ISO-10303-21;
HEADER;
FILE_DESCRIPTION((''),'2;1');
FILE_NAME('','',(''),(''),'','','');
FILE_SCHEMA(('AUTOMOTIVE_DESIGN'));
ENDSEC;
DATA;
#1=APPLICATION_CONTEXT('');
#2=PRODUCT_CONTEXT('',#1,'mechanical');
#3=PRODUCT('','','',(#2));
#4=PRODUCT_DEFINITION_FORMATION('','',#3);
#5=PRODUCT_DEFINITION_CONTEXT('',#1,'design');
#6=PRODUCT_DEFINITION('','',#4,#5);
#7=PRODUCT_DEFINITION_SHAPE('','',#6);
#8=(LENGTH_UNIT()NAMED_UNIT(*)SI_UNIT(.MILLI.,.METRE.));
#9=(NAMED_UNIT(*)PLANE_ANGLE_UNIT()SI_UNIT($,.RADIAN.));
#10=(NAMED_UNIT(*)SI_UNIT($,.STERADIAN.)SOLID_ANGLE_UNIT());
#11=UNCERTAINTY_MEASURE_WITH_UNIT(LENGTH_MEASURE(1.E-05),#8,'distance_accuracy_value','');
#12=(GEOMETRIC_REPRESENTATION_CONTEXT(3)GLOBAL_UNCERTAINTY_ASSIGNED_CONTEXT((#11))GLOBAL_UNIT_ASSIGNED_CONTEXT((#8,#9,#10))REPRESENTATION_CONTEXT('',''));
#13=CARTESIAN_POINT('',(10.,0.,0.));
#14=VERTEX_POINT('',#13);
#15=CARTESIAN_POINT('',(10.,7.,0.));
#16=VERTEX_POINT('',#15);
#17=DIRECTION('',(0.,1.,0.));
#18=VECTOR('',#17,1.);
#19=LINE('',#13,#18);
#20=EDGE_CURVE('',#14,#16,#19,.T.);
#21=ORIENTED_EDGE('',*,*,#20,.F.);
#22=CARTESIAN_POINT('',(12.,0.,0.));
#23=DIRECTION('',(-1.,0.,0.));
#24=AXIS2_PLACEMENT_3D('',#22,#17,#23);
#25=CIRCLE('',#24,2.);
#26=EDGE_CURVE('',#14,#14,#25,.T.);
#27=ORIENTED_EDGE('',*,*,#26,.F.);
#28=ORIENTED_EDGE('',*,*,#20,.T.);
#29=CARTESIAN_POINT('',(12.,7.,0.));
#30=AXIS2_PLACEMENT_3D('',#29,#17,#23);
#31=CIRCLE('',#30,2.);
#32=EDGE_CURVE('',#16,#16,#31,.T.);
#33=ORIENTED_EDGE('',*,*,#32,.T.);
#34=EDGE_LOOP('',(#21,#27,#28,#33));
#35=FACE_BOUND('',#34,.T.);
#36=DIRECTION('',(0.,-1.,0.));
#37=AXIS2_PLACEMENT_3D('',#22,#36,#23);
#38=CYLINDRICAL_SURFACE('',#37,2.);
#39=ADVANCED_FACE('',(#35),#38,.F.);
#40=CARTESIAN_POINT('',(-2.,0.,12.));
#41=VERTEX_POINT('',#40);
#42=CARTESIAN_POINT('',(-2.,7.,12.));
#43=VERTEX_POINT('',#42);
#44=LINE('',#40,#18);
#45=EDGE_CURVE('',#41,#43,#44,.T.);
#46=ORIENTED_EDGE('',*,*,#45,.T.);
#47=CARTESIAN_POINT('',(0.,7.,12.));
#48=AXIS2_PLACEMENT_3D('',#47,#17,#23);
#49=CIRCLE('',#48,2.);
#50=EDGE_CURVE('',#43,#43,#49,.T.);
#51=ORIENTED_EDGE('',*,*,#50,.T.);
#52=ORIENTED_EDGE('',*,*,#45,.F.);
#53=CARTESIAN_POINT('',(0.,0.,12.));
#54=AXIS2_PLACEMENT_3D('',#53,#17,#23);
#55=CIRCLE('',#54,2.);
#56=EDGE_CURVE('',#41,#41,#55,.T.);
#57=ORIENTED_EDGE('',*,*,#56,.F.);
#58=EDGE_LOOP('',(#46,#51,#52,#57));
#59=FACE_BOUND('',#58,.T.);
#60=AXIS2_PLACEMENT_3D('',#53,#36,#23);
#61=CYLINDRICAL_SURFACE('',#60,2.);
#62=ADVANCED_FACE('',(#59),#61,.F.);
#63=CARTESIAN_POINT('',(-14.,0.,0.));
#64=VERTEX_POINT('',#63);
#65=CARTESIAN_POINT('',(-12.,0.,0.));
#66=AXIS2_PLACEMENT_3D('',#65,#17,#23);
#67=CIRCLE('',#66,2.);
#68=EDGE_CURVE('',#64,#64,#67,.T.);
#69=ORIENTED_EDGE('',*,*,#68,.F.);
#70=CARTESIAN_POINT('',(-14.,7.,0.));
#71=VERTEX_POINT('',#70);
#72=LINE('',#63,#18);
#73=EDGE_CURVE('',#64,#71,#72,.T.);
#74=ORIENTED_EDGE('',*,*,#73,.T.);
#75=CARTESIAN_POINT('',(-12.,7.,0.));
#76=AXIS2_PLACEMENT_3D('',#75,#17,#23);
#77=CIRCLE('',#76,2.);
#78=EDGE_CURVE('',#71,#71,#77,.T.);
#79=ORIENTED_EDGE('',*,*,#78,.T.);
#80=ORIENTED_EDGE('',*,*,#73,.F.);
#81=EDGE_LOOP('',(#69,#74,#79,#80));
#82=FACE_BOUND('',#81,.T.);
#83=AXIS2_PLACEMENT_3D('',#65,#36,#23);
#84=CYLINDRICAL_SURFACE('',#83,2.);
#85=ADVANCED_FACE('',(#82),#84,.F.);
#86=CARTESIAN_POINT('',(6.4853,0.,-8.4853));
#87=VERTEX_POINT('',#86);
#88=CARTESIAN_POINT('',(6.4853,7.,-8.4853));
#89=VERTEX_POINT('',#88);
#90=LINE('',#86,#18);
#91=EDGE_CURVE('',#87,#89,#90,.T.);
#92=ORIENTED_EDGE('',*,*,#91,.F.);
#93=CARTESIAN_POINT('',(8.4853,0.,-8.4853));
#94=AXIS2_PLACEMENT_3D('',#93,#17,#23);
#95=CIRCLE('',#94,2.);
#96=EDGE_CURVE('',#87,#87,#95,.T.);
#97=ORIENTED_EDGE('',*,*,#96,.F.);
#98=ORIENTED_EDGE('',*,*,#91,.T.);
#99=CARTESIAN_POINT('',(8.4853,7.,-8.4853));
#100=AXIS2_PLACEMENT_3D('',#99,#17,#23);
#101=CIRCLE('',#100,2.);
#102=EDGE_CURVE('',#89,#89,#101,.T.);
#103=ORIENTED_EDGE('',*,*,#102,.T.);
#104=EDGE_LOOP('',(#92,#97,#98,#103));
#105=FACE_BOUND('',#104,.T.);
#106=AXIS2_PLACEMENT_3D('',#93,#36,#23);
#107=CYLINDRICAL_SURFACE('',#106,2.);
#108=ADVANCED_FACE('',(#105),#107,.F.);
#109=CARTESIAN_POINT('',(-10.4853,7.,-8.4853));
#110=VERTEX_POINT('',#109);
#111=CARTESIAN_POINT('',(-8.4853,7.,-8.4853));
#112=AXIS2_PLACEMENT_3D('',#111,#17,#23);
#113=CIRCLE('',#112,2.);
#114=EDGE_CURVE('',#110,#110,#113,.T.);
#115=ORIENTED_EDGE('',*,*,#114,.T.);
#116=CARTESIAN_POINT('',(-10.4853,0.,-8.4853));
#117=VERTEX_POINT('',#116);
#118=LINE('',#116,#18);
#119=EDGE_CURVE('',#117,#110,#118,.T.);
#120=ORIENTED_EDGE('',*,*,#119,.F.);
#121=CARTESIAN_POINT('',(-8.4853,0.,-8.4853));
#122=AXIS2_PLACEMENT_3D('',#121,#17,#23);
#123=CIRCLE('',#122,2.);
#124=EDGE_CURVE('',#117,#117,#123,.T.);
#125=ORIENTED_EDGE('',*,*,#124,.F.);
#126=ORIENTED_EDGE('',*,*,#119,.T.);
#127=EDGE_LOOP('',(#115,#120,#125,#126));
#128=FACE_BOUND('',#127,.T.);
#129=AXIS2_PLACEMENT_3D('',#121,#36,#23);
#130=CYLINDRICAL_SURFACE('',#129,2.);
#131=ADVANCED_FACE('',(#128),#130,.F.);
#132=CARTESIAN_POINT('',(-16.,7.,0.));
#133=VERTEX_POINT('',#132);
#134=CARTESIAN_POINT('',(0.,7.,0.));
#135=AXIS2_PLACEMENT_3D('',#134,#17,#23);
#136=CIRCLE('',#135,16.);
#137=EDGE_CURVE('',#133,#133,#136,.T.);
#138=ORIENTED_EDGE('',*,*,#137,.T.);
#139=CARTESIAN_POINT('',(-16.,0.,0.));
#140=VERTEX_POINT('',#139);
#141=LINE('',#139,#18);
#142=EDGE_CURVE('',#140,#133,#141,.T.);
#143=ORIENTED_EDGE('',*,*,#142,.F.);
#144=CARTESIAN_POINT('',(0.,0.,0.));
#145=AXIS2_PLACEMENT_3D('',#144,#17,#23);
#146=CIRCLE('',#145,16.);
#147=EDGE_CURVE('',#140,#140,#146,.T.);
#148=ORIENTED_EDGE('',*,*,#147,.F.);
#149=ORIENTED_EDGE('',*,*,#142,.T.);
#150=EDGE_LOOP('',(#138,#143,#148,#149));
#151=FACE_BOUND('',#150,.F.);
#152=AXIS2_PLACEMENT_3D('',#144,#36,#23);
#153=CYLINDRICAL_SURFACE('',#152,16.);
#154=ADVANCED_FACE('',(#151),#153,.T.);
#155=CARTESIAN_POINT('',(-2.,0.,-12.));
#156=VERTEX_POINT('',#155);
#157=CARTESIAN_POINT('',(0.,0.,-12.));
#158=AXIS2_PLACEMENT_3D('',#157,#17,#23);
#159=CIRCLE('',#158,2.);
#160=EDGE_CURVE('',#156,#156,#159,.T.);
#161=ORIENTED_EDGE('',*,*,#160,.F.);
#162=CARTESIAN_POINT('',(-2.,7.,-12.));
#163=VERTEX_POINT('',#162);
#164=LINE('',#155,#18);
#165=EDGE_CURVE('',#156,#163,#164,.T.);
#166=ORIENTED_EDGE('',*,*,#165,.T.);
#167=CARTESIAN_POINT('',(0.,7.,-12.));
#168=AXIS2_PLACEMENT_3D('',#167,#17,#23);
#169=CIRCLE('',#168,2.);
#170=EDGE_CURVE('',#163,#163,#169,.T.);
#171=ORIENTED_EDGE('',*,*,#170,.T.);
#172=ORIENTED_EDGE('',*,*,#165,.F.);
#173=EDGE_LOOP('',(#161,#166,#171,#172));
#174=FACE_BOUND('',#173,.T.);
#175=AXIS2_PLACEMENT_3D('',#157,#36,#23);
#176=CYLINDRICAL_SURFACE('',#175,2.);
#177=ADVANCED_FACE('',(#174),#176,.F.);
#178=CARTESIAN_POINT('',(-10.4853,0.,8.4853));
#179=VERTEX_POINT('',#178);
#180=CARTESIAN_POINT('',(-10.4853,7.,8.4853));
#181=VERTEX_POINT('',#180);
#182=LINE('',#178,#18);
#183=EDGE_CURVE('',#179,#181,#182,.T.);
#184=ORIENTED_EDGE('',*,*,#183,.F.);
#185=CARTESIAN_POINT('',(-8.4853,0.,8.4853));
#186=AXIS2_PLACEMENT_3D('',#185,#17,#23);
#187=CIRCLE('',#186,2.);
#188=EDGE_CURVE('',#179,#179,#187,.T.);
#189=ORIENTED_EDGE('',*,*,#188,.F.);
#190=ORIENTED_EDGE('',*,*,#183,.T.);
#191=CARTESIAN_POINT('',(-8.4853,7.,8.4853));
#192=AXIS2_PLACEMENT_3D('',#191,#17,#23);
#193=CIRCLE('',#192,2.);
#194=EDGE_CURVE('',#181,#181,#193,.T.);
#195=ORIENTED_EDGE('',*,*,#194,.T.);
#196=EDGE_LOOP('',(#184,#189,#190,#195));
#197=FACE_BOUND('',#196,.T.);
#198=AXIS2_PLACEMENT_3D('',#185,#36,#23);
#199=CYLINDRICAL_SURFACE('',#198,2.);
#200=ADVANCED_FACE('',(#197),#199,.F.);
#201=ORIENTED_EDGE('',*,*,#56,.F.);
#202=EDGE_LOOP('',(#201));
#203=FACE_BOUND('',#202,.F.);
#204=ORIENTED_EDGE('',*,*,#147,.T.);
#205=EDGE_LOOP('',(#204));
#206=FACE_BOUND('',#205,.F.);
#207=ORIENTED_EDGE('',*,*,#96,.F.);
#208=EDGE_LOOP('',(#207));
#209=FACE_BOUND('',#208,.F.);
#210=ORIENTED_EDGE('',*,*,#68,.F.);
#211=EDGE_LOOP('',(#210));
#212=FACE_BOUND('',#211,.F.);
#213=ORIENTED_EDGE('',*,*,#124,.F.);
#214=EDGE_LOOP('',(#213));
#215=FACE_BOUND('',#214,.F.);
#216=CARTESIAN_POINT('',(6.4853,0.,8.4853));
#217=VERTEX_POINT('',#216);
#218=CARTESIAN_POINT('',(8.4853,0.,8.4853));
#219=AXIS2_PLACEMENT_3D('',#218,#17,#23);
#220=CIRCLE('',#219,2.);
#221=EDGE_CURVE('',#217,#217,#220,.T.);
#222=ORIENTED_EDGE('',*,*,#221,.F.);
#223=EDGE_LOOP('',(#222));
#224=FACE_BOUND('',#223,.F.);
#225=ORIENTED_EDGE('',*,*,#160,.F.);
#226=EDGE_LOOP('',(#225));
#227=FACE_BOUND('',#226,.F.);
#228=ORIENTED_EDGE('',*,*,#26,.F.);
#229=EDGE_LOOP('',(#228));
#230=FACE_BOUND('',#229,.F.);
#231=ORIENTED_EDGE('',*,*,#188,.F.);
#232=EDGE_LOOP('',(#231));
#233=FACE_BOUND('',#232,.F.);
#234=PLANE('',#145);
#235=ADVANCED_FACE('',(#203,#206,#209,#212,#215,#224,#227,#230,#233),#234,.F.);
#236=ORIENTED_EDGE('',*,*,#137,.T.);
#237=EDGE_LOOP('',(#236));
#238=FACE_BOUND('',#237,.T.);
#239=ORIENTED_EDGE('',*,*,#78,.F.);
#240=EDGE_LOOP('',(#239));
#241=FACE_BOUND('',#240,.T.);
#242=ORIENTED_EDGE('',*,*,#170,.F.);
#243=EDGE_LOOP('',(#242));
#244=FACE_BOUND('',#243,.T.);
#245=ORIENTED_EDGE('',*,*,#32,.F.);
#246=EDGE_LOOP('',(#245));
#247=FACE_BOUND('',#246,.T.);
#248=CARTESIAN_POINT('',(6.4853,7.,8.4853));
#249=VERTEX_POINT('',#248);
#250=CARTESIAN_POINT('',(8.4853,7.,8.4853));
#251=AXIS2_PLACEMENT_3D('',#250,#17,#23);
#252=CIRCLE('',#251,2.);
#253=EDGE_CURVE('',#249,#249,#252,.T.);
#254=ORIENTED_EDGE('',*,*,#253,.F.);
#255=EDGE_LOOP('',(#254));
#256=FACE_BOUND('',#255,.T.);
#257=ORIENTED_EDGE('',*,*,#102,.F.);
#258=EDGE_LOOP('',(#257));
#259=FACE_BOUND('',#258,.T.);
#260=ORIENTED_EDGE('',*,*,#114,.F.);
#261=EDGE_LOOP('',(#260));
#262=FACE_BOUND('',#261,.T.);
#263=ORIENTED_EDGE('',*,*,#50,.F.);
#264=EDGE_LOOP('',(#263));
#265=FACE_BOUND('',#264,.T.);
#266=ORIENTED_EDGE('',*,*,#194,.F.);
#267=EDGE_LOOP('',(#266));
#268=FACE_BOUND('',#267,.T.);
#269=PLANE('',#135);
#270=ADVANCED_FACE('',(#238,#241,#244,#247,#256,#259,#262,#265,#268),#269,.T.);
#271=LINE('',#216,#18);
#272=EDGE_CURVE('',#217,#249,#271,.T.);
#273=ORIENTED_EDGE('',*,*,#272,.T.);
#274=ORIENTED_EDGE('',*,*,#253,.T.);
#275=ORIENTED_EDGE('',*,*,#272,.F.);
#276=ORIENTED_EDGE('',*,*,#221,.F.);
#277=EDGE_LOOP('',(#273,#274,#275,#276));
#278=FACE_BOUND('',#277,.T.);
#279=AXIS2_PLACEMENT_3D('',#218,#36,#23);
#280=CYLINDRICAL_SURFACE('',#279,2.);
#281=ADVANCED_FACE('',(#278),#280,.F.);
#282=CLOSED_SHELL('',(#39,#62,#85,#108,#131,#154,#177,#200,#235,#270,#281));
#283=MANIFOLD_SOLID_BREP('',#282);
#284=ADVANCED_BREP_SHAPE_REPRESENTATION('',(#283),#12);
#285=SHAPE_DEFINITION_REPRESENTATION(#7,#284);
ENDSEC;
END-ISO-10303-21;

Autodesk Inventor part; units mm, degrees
ref_plane "YZ Plane" through (0, 0, 0) normal (1, 0, 0) x (0, 1, 0)
ref_plane "XZ Plane" through (0, 0, 0) normal (0, 1, 0) x (-1, 0, 0)
ref_plane "XY Plane" through (0, 0, 0) normal (0, 0, 1) x (1, 0, 0)
sketch "Sketch1" plane through (0, 0, 0) normal (0, 1, 0) x (-1, 0, 0)
  circle A0 centre (0, 0) radius 16
  circle A1 centre (0, -12) radius 2
  circle A2 centre (8.4853, -8.4853) radius 2
  circle A3 centre (12, 0) radius 2
  circle A4 centre (8.4853, 8.4853) radius 2
  circle A5 centre (0, 12) radius 2
  circle A6 centre (-8.4853, 8.4853) radius 2
  circle A7 centre (-12, 0) radius 2
  circle A8 centre (-8.4853, -8.4853) radius 2
  dimension "d0" = 32
  dimension "d1" = 4
  dimension "d2" = 12
  dimension "d5" = 360
extrude "Extrusion1" add sketch "Sketch1" along normal blind 7
properties part number "ArmBearingSpacer2" material "Aluminum 6061"
